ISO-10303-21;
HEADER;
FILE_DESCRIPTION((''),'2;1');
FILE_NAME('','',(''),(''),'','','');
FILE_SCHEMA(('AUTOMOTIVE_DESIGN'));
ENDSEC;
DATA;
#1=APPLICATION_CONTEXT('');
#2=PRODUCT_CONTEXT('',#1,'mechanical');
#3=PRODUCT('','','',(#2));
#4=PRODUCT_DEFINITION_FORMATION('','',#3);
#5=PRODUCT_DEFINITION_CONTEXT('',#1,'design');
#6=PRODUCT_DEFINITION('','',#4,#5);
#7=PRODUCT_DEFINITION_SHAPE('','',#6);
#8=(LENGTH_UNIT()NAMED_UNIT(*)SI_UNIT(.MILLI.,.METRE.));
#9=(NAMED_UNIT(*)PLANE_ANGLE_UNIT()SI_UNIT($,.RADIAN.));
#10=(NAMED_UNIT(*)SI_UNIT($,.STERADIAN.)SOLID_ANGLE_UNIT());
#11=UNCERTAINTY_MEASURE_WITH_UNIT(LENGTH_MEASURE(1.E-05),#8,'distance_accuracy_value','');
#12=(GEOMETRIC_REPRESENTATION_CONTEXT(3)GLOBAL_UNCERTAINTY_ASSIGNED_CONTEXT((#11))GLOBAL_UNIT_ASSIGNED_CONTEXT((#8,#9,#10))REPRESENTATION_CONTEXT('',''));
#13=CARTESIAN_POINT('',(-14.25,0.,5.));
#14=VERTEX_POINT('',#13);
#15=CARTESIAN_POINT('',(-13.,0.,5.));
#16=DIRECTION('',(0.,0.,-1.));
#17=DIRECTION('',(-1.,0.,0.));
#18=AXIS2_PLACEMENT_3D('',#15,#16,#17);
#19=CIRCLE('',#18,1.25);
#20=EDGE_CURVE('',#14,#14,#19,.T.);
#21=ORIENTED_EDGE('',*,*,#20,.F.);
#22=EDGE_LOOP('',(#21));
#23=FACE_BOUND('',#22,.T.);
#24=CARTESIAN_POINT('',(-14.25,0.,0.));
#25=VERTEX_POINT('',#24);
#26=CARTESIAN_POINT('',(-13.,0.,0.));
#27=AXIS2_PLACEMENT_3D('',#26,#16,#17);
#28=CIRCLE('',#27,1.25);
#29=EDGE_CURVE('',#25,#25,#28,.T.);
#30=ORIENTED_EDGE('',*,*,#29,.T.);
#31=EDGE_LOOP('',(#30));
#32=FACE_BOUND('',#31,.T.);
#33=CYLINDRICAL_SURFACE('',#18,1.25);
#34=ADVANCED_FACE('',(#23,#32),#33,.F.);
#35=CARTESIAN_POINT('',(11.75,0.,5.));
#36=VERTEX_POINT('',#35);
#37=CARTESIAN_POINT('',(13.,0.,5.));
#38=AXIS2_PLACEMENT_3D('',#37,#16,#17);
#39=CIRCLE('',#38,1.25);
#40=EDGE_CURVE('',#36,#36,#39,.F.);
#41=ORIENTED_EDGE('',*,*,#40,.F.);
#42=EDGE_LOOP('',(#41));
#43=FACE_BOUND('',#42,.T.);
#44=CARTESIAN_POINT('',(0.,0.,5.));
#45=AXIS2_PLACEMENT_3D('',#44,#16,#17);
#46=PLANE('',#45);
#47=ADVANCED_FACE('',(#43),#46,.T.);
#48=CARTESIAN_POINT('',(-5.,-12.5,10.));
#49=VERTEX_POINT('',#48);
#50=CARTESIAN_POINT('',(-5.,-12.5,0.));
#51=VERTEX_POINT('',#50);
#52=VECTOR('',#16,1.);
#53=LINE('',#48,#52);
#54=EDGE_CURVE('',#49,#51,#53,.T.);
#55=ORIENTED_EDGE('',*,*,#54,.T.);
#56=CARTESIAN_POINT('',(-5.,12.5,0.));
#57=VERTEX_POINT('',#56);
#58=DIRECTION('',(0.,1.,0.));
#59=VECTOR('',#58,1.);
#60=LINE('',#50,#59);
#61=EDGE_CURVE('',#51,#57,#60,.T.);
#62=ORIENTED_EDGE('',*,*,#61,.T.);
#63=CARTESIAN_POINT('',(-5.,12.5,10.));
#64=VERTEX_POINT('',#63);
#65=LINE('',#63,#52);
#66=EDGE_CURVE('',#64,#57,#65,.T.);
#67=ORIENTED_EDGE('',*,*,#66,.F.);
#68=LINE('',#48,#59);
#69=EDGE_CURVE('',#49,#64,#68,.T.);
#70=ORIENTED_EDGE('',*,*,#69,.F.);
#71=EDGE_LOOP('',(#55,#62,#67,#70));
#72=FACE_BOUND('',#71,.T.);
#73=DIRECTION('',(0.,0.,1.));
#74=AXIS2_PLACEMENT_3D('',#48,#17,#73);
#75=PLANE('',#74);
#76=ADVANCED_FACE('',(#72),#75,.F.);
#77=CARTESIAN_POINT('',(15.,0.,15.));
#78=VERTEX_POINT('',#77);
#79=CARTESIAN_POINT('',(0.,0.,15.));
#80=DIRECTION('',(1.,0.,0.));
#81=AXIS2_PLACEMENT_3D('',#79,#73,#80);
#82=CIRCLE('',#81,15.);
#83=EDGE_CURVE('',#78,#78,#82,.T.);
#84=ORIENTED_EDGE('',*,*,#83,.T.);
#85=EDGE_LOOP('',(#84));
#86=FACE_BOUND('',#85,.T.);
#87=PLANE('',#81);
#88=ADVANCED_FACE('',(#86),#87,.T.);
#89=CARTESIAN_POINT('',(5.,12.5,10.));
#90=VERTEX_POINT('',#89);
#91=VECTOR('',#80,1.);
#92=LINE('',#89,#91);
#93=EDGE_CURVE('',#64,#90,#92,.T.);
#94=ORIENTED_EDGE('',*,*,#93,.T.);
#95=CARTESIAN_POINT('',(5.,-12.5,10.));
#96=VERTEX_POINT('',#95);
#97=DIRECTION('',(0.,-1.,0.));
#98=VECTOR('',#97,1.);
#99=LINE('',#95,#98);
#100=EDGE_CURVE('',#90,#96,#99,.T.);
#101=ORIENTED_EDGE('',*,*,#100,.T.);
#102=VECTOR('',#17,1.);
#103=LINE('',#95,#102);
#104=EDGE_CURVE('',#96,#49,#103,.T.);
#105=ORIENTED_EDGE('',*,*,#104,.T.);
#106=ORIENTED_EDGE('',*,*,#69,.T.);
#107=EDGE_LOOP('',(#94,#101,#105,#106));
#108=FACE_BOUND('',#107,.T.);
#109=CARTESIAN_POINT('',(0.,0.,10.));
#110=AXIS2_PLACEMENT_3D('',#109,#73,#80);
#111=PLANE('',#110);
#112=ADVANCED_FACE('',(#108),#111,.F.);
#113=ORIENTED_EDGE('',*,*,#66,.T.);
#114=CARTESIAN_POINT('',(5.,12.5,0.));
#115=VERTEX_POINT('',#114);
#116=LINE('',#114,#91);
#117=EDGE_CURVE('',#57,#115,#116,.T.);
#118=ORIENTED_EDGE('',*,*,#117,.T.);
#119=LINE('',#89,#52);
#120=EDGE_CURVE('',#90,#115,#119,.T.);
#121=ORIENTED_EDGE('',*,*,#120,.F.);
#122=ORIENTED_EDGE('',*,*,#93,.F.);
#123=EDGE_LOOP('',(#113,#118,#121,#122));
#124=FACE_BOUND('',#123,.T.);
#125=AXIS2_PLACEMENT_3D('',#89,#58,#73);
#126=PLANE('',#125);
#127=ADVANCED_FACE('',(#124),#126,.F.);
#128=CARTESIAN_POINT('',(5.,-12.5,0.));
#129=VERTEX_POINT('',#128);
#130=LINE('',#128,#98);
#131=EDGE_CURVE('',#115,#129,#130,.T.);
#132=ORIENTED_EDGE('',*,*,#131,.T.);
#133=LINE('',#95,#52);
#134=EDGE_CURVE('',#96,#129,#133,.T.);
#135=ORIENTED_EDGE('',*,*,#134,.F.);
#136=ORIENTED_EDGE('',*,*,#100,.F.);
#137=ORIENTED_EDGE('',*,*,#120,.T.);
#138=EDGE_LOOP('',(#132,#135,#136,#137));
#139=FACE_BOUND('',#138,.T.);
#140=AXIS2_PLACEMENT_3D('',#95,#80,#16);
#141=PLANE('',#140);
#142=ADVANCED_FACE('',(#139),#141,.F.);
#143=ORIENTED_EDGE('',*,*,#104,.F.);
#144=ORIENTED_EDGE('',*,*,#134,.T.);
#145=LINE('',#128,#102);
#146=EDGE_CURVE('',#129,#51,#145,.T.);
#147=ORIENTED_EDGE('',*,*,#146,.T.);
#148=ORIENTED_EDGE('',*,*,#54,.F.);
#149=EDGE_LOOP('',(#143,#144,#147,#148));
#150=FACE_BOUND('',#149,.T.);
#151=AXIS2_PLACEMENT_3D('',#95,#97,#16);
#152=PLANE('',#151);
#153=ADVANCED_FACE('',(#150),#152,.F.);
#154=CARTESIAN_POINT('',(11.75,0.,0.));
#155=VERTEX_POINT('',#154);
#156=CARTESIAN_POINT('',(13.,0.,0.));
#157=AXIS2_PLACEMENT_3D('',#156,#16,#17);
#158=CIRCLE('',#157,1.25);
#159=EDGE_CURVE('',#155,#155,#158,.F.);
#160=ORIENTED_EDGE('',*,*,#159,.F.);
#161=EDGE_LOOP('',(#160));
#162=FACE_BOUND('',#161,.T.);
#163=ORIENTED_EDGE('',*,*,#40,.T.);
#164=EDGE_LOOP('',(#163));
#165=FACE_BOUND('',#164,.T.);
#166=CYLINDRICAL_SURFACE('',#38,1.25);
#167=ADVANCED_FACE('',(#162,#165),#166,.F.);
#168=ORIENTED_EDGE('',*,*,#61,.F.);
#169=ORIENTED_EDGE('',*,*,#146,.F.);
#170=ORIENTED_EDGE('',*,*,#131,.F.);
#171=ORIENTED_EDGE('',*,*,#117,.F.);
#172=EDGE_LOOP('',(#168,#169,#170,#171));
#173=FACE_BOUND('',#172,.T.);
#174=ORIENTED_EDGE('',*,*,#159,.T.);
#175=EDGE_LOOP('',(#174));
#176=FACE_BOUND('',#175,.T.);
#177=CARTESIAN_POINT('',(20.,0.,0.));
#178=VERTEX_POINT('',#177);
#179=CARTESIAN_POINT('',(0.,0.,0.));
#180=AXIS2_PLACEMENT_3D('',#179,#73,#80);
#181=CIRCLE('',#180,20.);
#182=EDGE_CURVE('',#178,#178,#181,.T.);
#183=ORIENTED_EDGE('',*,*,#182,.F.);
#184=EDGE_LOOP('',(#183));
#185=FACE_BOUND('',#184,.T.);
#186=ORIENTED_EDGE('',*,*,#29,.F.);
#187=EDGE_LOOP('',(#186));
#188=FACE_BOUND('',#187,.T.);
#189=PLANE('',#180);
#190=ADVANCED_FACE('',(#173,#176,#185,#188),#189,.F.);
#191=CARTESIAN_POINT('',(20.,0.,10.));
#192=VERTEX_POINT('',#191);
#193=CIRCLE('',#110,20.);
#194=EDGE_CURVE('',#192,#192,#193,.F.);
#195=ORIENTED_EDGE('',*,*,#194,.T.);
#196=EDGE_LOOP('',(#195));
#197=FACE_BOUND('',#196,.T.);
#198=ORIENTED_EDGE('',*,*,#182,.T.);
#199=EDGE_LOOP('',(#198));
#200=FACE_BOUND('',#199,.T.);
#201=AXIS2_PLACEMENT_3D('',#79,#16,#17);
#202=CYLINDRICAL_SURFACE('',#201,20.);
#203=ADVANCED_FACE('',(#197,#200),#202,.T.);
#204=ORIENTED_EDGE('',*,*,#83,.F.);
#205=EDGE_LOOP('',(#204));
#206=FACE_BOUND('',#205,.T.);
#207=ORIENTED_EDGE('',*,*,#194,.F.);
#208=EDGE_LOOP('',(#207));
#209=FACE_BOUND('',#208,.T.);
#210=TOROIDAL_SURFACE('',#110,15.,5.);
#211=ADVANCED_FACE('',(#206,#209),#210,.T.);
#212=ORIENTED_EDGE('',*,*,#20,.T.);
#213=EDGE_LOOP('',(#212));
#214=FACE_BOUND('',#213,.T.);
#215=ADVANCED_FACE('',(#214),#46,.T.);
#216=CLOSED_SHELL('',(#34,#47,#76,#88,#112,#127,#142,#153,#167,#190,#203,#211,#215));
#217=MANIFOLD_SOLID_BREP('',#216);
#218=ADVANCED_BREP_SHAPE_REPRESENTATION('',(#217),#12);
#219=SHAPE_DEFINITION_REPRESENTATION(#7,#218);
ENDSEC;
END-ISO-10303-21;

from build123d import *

# Parameters (mm, degrees)
SKIZZE1_R                       = 20
AUFSATZ_LINEAR_AUSTRAGEN1_DEPTH = 15
VERRUNDUNG1_R                   = 5
SKIZZE2_W                       = 10
SKIZZE2_H                       = 25
SCHNITT_LINEAR_AUSTRAGEN1_DEPTH = 10
SKIZZE3_R                       = 1.25
SCHNITT_LINEAR_AUSTRAGEN2_DEPTH = 5


with BuildPart() as part:
    # Skizze1 → Aufsatz-Linear austragen1 (new body)
    with BuildSketch(Plane.XY):
        Circle(SKIZZE1_R)
    extrude(amount=AUFSATZ_LINEAR_AUSTRAGEN1_DEPTH)

    # Verrundung1
    verrundung1_edges = [part.edges().sort_by_distance(p)[0] for p in [
        (-20, 0, 15),
    ]]
    fillet(verrundung1_edges, radius=VERRUNDUNG1_R)

    # Skizze2 → Schnitt-Linear austragen1 (cut)
    with BuildSketch(Plane(origin=(0, 0, 0), x_dir=(-1, 0, 0), z_dir=(0, 0, -1))):
        Rectangle(SKIZZE2_W, SKIZZE2_H)
    extrude(amount=-SCHNITT_LINEAR_AUSTRAGEN1_DEPTH, mode=Mode.SUBTRACT)

    # Skizze3 → Schnitt-Linear austragen2 (cut)
    with BuildSketch(Plane(origin=(0, 0, 0), x_dir=(-1, 0, 0), z_dir=(0, 0, -1))):
        with Locations((-13, 0)):
            Circle(SKIZZE3_R)
        with Locations((13, 0)):
            Circle(SKIZZE3_R)
    extrude(amount=-SCHNITT_LINEAR_AUSTRAGEN2_DEPTH, mode=Mode.SUBTRACT)


solid = part.part
